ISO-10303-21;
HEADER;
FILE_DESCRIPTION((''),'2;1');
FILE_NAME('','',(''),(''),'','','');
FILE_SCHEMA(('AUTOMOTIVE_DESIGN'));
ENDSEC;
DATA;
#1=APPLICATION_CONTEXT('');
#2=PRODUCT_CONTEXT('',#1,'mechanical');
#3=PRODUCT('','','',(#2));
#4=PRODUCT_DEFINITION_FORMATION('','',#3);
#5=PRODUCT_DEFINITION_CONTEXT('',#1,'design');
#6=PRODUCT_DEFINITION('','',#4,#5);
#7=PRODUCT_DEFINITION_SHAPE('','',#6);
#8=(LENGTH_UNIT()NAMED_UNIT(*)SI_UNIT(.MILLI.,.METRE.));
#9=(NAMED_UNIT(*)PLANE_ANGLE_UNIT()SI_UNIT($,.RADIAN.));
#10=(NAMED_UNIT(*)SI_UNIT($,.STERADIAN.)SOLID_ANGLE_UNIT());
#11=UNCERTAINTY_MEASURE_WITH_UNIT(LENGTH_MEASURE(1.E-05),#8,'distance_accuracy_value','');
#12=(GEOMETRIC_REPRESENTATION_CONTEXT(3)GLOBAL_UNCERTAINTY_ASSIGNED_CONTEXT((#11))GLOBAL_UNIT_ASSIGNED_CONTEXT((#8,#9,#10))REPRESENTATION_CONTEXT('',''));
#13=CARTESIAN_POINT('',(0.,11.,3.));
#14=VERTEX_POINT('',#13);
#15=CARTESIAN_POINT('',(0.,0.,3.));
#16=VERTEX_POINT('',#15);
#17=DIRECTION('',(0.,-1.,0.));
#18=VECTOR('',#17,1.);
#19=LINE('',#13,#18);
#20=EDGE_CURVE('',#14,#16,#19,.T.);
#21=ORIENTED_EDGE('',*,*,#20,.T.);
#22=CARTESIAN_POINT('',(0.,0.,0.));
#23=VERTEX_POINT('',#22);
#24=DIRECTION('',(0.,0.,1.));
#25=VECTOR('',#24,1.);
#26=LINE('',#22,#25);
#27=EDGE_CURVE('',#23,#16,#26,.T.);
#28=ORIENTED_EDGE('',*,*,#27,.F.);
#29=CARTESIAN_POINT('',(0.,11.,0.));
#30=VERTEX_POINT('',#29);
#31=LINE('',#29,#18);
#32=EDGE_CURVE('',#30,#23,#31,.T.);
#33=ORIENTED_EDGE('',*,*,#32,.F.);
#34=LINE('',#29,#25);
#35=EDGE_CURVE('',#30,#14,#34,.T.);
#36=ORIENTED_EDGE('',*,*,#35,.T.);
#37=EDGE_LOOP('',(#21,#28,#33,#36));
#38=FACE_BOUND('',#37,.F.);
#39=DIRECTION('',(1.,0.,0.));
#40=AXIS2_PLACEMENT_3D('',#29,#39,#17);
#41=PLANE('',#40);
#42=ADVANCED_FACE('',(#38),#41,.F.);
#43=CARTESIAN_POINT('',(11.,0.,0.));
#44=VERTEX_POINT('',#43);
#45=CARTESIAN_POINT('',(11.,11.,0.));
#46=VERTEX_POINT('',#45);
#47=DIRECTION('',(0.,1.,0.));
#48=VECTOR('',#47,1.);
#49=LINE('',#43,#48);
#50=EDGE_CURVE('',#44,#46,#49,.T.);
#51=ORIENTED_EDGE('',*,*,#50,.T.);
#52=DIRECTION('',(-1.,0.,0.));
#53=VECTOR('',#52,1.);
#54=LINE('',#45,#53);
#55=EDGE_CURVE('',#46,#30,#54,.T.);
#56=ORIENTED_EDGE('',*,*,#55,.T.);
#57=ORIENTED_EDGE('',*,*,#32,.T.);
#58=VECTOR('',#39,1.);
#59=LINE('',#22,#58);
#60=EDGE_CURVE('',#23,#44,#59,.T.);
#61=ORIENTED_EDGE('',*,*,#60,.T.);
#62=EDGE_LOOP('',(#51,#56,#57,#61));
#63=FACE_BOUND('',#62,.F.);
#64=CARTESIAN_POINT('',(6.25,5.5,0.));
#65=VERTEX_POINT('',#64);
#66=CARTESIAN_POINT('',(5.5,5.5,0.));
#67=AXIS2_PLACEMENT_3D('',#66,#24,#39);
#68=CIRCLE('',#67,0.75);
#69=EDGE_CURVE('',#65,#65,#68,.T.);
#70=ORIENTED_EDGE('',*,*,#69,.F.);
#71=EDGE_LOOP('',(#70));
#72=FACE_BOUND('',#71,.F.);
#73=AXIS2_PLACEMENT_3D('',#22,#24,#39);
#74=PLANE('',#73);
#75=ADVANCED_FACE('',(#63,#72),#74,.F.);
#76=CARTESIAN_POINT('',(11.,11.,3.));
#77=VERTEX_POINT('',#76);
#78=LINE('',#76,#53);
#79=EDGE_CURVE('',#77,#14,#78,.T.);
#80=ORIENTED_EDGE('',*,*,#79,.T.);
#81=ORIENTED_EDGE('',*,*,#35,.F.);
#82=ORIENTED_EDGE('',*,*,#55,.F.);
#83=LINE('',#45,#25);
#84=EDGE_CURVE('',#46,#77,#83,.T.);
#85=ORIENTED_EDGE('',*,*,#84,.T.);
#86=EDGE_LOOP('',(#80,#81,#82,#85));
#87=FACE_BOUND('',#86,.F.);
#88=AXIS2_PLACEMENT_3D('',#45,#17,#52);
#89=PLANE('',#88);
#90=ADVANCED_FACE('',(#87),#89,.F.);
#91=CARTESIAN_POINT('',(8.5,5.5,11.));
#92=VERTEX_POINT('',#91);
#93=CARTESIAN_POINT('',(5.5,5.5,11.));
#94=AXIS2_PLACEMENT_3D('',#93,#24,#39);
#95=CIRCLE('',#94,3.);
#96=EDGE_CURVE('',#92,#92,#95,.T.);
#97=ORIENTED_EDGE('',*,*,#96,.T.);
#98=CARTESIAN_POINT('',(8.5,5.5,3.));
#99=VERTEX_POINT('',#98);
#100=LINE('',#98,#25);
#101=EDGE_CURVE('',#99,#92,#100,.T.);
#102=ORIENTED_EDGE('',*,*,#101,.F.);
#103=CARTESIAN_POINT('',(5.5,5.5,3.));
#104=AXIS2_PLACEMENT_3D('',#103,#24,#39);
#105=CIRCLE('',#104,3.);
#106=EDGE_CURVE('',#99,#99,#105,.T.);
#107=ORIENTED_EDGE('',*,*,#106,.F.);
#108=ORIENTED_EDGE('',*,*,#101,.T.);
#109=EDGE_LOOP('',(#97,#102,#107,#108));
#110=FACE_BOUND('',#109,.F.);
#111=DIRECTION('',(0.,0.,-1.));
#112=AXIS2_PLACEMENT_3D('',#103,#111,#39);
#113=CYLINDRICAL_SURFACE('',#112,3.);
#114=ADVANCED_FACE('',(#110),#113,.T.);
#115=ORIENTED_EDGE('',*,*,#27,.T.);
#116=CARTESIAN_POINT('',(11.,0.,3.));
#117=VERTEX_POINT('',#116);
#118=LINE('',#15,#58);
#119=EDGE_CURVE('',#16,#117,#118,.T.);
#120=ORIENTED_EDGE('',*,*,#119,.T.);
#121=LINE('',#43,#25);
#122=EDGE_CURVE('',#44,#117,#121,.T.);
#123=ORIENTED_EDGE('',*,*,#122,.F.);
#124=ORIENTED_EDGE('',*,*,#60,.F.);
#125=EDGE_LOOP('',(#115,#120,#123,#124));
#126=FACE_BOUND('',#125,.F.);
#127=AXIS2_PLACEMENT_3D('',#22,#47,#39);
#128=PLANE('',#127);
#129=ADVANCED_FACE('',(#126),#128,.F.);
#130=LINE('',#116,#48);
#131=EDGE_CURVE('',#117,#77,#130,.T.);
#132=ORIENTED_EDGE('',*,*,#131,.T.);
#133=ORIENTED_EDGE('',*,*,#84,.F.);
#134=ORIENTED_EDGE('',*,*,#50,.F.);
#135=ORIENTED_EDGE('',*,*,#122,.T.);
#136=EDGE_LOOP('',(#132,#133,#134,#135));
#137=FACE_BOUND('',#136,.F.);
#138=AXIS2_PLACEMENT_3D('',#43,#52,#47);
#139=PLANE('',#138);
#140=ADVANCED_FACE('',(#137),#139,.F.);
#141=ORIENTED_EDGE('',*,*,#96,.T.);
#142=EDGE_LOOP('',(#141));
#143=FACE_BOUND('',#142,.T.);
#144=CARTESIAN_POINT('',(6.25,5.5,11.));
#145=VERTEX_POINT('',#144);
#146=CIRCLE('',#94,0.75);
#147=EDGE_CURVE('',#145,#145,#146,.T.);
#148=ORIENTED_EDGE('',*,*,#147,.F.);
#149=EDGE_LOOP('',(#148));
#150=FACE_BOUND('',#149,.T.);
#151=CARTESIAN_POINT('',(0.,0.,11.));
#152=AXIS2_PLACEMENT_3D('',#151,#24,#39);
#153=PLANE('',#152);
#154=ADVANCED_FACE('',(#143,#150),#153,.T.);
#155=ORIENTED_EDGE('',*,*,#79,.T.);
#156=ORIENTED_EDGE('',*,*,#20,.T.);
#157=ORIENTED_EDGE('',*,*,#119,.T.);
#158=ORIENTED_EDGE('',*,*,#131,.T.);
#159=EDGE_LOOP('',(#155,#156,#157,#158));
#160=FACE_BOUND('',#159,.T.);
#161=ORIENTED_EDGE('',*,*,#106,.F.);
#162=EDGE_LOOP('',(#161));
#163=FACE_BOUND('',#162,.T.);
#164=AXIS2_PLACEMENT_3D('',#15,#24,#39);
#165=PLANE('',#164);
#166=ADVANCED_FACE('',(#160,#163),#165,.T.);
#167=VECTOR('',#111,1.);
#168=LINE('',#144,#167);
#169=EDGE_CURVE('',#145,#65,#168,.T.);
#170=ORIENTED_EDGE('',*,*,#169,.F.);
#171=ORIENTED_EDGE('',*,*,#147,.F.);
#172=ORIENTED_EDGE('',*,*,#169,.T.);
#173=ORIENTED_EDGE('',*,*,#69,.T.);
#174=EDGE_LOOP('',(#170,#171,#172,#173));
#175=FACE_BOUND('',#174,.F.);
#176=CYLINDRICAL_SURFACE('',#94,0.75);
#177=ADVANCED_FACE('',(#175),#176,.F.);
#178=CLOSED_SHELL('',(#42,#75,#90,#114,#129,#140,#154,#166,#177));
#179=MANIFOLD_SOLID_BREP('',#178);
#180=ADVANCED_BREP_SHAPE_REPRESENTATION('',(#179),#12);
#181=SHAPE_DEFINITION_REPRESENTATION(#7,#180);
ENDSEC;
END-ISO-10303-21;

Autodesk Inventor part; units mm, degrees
ref_plane "YZ Plane" through (0, 0, 0) normal (1, 0, 0) x (0, 1, 0)
ref_plane "XZ Plane" through (0, 0, 0) normal (0, 1, 0) x (-1, 0, 0)
ref_plane "XY Plane" through (0, 0, 0) normal (0, 0, 1) x (1, 0, 0)
sketch "Náčrt1" plane through (0, 0, 0) normal (0, 0, 1) x (1, 0, 0)
  line L0 (0, 0) -> (11, 0)
  line L1 (11, 0) -> (11, 11)
  line L2 (11, 11) -> (0, 11)
  line L3 (0, 11) -> (0, 0)
  dimension "d0" = 11
  dimension "d1" = 11
extrude "Vysunutí1" add sketch "Náčrt1" along normal blind 3
sketch "Náčrt2" plane through (0, 0, 3) normal (0, 0, 1) x (1, 0, 0)
  circle A0 centre (5.5, 5.5) radius 3
  line L0 (0, 0) -> (11, 0) projected
  point P0 (5.5, 0)
  dimension "d4" = 6
  dimension "d5" = 5.5
extrude "Vysunutí2" add sketch "Náčrt2" along normal blind 8
sketch "Náčrt3" plane through (5.5, 5.5, 11) normal (0, 0, 1) x (1, 0, 0)
  circle A0 centre (0, 0) radius 0.75
  point P0 (-5.5, -5.5)
  dimension "d8" = 1.5
extrude "Vysunutí3" cut sketch "Náčrt3" against normal through all
properties part number "oparil"
